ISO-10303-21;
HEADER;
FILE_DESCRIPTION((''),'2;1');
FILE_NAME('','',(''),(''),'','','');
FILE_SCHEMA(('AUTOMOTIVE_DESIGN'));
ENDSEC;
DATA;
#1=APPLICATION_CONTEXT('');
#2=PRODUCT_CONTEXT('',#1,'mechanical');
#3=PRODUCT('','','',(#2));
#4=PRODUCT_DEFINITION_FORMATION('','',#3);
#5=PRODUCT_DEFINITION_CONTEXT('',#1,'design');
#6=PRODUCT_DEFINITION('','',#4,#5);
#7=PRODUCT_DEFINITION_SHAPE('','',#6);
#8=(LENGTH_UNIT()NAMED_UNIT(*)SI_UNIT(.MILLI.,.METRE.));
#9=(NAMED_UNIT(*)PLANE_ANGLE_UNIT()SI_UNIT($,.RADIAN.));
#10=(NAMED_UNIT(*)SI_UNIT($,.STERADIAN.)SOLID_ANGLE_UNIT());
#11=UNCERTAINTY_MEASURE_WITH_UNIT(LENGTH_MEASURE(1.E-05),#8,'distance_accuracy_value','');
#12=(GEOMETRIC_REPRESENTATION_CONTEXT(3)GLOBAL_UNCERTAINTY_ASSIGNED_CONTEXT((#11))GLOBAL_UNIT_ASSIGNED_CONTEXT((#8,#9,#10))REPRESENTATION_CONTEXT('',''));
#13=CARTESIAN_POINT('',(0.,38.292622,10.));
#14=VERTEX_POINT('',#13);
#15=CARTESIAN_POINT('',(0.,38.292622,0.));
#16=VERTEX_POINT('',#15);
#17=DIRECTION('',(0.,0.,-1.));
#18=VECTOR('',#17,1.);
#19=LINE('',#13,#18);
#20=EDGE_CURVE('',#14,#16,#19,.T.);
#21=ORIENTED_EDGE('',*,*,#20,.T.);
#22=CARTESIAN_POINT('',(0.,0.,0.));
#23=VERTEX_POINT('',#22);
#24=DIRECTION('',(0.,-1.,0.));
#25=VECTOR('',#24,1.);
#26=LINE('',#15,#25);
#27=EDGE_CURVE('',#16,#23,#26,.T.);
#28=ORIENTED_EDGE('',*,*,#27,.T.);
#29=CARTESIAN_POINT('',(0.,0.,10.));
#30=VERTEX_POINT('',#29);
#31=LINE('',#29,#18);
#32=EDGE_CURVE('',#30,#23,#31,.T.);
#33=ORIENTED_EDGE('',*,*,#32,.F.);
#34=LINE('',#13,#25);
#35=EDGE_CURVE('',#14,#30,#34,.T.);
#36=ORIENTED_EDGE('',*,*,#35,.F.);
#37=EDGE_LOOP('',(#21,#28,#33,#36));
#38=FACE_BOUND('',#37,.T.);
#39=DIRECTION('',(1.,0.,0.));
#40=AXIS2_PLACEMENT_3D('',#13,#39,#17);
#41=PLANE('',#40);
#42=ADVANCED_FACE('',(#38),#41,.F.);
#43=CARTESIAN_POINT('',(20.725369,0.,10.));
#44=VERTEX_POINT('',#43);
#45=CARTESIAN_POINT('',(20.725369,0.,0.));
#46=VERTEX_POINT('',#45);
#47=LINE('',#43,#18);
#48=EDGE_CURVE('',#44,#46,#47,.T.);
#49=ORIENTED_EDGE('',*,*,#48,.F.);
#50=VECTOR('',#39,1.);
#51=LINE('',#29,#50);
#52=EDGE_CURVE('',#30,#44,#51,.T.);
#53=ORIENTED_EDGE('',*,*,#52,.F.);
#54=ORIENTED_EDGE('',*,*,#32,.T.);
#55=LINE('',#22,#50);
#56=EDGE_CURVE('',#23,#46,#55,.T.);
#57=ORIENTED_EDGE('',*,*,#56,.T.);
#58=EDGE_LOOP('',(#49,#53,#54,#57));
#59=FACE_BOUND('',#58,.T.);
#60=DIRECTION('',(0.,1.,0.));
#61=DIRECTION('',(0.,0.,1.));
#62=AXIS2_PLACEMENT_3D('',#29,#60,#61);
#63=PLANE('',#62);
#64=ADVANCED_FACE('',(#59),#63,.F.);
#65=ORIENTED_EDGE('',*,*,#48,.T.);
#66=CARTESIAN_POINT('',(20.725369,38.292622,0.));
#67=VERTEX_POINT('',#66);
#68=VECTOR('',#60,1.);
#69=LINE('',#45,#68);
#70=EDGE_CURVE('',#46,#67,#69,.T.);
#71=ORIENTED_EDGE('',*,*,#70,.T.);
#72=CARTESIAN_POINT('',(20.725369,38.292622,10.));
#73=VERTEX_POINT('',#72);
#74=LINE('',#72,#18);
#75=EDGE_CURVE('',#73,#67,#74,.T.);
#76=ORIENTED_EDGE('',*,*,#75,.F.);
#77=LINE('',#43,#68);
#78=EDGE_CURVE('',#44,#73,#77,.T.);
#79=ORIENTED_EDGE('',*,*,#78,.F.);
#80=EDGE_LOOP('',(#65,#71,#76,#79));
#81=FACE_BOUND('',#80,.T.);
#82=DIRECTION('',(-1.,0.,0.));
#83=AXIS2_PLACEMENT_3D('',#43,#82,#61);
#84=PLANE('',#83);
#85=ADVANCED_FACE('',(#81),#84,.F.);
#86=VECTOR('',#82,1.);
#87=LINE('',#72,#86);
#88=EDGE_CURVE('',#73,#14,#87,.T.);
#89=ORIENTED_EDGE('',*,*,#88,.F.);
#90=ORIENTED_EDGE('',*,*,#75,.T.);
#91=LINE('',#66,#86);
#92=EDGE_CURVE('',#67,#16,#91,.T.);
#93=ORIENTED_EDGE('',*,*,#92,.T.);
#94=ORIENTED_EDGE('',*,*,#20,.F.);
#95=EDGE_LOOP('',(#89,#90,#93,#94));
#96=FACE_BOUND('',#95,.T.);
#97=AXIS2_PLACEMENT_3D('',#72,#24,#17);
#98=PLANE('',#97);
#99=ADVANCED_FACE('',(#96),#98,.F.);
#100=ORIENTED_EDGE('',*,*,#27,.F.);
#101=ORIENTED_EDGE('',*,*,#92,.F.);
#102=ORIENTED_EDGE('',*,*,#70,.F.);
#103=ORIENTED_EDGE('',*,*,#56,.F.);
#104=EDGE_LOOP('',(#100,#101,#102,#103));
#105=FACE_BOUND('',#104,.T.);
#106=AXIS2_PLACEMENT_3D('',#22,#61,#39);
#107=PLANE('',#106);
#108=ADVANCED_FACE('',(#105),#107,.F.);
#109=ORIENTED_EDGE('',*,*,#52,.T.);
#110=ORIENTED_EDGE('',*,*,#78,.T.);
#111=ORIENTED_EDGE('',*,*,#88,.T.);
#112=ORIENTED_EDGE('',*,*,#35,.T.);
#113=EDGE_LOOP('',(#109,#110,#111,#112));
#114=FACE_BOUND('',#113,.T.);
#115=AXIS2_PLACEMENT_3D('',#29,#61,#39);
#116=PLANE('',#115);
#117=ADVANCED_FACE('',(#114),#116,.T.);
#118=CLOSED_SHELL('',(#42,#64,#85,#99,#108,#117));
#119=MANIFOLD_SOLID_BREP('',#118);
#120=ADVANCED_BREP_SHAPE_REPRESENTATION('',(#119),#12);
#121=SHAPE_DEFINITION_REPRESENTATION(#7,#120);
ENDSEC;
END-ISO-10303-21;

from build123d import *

# Parameters (mm, degrees)
SKETCH1_W           = 20.725368984
SKETCH1_H           = 38.292622135
BOSS_EXTRUDE1_DEPTH = 10


with BuildPart() as part:
    # Sketch1 → Boss-Extrude1 (new body)
    with BuildSketch(Plane.XY):
        with Locations((10.362684492, 19.146311068)):
            Rectangle(SKETCH1_W, SKETCH1_H)
    extrude(amount=BOSS_EXTRUDE1_DEPTH)


solid = part.part
